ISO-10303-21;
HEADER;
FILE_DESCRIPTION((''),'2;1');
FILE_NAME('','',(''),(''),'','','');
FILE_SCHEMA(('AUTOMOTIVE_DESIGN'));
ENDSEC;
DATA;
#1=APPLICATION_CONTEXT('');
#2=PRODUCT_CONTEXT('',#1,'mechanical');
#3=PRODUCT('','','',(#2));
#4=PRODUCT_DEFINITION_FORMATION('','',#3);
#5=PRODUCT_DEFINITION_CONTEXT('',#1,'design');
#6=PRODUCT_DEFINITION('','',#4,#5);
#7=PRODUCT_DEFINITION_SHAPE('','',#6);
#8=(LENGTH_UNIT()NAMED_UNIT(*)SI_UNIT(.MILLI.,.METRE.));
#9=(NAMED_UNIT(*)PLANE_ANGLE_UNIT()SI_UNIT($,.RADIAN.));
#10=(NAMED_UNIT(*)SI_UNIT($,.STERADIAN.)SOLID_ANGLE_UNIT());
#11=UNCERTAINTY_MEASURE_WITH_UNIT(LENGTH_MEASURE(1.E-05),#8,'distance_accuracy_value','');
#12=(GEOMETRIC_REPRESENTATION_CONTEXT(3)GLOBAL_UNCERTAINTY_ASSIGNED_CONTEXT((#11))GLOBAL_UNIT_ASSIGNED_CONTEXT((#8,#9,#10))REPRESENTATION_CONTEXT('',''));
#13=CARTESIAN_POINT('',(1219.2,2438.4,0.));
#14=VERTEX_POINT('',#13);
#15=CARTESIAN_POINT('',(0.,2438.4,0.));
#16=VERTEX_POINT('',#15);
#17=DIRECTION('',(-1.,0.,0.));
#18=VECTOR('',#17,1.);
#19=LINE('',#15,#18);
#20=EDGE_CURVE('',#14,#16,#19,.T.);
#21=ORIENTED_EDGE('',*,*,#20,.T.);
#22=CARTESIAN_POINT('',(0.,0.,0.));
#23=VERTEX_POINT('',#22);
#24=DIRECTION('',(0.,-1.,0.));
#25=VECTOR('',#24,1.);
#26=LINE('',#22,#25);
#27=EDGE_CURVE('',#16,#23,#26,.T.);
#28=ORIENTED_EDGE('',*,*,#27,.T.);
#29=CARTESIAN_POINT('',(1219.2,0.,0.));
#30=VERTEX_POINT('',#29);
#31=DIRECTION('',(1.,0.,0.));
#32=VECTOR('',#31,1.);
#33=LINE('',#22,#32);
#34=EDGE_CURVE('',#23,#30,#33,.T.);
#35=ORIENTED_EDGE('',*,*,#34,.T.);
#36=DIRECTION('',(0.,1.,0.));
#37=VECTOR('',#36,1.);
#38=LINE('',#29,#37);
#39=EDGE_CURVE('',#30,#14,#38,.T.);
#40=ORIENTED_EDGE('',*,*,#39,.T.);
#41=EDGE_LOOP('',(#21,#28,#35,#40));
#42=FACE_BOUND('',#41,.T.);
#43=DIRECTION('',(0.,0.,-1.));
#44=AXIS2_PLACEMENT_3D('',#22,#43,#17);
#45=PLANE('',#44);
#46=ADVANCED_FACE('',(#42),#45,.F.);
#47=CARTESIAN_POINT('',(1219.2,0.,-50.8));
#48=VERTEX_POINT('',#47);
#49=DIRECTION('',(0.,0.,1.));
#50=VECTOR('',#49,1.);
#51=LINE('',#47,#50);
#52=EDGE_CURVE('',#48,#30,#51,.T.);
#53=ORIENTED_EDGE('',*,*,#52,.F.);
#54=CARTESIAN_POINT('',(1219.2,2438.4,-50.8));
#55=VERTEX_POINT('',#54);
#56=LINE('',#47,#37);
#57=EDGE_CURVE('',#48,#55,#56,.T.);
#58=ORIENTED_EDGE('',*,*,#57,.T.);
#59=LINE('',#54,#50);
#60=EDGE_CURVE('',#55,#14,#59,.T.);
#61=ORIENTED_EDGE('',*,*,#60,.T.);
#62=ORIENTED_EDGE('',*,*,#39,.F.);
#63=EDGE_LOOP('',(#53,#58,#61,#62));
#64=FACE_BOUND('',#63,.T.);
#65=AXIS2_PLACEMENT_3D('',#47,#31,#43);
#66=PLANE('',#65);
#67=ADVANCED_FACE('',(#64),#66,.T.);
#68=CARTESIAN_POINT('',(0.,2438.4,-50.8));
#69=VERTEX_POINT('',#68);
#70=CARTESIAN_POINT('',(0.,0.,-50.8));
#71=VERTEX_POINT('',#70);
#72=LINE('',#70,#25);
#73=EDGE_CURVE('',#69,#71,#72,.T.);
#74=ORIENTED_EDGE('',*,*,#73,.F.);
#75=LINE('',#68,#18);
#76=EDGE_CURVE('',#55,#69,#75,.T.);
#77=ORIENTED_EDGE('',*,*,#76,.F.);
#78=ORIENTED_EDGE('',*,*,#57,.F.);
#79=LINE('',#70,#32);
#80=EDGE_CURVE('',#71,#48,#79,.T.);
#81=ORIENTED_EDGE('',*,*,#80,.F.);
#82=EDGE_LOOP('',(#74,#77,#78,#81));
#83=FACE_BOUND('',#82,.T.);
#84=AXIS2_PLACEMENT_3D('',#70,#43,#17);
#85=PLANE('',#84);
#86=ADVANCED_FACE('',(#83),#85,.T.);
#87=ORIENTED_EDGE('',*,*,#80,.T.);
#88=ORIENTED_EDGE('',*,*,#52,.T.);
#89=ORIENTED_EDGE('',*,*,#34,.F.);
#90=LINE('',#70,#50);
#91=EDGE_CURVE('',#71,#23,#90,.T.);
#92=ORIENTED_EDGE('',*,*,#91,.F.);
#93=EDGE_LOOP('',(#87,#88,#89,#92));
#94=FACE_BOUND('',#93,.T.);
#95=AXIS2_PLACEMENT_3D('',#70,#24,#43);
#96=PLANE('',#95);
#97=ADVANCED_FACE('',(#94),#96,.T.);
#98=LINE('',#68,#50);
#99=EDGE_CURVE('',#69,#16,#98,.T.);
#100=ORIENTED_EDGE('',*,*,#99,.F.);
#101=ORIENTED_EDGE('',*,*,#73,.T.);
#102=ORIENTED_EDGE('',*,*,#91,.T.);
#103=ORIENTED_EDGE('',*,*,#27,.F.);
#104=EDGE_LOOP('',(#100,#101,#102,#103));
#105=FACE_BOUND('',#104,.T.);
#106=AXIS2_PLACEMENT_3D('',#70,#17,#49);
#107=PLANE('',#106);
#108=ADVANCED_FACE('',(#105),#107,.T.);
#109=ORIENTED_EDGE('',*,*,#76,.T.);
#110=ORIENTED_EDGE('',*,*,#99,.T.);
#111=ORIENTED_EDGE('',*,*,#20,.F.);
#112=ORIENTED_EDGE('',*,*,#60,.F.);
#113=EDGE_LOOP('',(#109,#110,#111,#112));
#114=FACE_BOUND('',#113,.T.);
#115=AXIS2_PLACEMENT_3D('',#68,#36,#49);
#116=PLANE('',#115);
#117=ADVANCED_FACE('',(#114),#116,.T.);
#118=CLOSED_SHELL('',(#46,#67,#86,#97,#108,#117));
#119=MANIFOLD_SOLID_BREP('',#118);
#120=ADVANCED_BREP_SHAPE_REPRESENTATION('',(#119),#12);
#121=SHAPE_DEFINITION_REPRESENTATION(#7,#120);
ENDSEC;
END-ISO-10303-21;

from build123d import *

# Parameters (mm, degrees)
SKETCH1_W           = 1219.2
SKETCH1_H           = 2438.4
BOSS_EXTRUDE1_DEPTH = 50.8


with BuildPart() as part:
    # Sketch1 → Boss-Extrude1 (new body)
    with BuildSketch(Plane.XY):
        with Locations((609.6, 1219.2)):
            Rectangle(SKETCH1_W, SKETCH1_H)
    extrude(amount=-BOSS_EXTRUDE1_DEPTH)


solid = part.part
